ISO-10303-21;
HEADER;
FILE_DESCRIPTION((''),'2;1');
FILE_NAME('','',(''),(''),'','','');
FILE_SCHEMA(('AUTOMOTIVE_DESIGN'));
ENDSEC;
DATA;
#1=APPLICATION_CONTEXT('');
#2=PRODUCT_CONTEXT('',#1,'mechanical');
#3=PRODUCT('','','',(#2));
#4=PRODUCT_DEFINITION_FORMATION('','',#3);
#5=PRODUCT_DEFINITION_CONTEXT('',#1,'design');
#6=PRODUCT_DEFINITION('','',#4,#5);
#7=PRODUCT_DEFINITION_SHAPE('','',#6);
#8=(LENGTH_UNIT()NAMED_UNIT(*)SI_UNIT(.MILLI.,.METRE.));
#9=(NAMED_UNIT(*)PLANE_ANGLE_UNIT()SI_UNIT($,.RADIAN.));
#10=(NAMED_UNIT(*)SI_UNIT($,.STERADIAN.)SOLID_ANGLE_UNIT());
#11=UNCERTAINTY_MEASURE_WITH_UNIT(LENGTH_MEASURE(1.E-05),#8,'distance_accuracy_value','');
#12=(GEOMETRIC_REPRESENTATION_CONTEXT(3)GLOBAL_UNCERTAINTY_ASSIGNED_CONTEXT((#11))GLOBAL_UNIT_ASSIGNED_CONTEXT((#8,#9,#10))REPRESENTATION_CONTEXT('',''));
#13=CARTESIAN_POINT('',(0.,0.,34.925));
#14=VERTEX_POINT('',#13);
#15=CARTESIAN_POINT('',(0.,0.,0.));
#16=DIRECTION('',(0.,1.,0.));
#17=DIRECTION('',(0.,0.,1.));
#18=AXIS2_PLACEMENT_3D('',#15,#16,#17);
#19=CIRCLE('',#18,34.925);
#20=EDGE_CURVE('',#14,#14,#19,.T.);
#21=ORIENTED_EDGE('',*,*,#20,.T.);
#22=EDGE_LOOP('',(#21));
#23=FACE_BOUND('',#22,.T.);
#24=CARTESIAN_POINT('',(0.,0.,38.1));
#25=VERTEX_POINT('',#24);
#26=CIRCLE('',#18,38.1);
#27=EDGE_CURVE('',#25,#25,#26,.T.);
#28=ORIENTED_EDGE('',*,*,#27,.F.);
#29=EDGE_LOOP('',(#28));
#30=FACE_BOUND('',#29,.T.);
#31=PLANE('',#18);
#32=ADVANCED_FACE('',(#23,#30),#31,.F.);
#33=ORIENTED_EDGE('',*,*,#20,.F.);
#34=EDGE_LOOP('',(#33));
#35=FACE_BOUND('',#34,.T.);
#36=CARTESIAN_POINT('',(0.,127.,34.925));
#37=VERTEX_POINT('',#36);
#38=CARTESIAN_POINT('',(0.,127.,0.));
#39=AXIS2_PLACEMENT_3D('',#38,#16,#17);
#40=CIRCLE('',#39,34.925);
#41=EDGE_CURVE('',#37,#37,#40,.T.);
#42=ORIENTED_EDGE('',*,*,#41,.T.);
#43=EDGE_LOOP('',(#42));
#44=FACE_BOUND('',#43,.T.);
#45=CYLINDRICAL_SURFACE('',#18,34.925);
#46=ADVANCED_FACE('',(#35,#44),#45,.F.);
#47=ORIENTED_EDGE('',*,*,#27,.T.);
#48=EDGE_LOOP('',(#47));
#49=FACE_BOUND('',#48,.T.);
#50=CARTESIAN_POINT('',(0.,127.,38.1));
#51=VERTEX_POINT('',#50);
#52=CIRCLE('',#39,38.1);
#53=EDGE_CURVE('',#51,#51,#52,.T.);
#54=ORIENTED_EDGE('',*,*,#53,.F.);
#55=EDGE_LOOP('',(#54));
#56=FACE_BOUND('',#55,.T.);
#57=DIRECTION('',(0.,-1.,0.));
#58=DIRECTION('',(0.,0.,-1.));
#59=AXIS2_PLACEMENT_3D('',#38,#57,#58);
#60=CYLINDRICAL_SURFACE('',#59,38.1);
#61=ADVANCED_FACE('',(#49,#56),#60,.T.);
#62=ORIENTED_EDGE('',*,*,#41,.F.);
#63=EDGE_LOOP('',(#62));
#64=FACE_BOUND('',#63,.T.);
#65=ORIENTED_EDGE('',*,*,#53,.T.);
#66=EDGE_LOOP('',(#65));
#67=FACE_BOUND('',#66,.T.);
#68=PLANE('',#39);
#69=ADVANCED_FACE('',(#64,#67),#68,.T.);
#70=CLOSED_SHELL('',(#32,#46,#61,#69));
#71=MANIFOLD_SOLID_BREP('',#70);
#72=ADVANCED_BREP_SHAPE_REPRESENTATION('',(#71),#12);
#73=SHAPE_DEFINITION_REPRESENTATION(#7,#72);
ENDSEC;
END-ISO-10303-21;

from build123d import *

# Parameters (mm, degrees)
SKETCH2_R           = 38.1
BOSS_EXTRUDE1_DEPTH = 127
SKETCH3_R           = 34.925
CUT_EXTRUDE1_DEPTH  = 127


with BuildPart() as part:
    # Sketch2 → Boss-Extrude1 (new body)
    with BuildSketch(Plane(origin=(0, 0, 0), x_dir=(1, 0, 0), z_dir=(0, 1, 0))):
        Circle(SKETCH2_R)
    extrude(amount=BOSS_EXTRUDE1_DEPTH)

    # Sketch3 → Cut-Extrude1 (cut)
    with BuildSketch(Plane(origin=(0, 127, 0), x_dir=(1, 0, 0), z_dir=(0, 1, 0))):
        Circle(SKETCH3_R)
    extrude(amount=-CUT_EXTRUDE1_DEPTH, mode=Mode.SUBTRACT)


solid = part.part
